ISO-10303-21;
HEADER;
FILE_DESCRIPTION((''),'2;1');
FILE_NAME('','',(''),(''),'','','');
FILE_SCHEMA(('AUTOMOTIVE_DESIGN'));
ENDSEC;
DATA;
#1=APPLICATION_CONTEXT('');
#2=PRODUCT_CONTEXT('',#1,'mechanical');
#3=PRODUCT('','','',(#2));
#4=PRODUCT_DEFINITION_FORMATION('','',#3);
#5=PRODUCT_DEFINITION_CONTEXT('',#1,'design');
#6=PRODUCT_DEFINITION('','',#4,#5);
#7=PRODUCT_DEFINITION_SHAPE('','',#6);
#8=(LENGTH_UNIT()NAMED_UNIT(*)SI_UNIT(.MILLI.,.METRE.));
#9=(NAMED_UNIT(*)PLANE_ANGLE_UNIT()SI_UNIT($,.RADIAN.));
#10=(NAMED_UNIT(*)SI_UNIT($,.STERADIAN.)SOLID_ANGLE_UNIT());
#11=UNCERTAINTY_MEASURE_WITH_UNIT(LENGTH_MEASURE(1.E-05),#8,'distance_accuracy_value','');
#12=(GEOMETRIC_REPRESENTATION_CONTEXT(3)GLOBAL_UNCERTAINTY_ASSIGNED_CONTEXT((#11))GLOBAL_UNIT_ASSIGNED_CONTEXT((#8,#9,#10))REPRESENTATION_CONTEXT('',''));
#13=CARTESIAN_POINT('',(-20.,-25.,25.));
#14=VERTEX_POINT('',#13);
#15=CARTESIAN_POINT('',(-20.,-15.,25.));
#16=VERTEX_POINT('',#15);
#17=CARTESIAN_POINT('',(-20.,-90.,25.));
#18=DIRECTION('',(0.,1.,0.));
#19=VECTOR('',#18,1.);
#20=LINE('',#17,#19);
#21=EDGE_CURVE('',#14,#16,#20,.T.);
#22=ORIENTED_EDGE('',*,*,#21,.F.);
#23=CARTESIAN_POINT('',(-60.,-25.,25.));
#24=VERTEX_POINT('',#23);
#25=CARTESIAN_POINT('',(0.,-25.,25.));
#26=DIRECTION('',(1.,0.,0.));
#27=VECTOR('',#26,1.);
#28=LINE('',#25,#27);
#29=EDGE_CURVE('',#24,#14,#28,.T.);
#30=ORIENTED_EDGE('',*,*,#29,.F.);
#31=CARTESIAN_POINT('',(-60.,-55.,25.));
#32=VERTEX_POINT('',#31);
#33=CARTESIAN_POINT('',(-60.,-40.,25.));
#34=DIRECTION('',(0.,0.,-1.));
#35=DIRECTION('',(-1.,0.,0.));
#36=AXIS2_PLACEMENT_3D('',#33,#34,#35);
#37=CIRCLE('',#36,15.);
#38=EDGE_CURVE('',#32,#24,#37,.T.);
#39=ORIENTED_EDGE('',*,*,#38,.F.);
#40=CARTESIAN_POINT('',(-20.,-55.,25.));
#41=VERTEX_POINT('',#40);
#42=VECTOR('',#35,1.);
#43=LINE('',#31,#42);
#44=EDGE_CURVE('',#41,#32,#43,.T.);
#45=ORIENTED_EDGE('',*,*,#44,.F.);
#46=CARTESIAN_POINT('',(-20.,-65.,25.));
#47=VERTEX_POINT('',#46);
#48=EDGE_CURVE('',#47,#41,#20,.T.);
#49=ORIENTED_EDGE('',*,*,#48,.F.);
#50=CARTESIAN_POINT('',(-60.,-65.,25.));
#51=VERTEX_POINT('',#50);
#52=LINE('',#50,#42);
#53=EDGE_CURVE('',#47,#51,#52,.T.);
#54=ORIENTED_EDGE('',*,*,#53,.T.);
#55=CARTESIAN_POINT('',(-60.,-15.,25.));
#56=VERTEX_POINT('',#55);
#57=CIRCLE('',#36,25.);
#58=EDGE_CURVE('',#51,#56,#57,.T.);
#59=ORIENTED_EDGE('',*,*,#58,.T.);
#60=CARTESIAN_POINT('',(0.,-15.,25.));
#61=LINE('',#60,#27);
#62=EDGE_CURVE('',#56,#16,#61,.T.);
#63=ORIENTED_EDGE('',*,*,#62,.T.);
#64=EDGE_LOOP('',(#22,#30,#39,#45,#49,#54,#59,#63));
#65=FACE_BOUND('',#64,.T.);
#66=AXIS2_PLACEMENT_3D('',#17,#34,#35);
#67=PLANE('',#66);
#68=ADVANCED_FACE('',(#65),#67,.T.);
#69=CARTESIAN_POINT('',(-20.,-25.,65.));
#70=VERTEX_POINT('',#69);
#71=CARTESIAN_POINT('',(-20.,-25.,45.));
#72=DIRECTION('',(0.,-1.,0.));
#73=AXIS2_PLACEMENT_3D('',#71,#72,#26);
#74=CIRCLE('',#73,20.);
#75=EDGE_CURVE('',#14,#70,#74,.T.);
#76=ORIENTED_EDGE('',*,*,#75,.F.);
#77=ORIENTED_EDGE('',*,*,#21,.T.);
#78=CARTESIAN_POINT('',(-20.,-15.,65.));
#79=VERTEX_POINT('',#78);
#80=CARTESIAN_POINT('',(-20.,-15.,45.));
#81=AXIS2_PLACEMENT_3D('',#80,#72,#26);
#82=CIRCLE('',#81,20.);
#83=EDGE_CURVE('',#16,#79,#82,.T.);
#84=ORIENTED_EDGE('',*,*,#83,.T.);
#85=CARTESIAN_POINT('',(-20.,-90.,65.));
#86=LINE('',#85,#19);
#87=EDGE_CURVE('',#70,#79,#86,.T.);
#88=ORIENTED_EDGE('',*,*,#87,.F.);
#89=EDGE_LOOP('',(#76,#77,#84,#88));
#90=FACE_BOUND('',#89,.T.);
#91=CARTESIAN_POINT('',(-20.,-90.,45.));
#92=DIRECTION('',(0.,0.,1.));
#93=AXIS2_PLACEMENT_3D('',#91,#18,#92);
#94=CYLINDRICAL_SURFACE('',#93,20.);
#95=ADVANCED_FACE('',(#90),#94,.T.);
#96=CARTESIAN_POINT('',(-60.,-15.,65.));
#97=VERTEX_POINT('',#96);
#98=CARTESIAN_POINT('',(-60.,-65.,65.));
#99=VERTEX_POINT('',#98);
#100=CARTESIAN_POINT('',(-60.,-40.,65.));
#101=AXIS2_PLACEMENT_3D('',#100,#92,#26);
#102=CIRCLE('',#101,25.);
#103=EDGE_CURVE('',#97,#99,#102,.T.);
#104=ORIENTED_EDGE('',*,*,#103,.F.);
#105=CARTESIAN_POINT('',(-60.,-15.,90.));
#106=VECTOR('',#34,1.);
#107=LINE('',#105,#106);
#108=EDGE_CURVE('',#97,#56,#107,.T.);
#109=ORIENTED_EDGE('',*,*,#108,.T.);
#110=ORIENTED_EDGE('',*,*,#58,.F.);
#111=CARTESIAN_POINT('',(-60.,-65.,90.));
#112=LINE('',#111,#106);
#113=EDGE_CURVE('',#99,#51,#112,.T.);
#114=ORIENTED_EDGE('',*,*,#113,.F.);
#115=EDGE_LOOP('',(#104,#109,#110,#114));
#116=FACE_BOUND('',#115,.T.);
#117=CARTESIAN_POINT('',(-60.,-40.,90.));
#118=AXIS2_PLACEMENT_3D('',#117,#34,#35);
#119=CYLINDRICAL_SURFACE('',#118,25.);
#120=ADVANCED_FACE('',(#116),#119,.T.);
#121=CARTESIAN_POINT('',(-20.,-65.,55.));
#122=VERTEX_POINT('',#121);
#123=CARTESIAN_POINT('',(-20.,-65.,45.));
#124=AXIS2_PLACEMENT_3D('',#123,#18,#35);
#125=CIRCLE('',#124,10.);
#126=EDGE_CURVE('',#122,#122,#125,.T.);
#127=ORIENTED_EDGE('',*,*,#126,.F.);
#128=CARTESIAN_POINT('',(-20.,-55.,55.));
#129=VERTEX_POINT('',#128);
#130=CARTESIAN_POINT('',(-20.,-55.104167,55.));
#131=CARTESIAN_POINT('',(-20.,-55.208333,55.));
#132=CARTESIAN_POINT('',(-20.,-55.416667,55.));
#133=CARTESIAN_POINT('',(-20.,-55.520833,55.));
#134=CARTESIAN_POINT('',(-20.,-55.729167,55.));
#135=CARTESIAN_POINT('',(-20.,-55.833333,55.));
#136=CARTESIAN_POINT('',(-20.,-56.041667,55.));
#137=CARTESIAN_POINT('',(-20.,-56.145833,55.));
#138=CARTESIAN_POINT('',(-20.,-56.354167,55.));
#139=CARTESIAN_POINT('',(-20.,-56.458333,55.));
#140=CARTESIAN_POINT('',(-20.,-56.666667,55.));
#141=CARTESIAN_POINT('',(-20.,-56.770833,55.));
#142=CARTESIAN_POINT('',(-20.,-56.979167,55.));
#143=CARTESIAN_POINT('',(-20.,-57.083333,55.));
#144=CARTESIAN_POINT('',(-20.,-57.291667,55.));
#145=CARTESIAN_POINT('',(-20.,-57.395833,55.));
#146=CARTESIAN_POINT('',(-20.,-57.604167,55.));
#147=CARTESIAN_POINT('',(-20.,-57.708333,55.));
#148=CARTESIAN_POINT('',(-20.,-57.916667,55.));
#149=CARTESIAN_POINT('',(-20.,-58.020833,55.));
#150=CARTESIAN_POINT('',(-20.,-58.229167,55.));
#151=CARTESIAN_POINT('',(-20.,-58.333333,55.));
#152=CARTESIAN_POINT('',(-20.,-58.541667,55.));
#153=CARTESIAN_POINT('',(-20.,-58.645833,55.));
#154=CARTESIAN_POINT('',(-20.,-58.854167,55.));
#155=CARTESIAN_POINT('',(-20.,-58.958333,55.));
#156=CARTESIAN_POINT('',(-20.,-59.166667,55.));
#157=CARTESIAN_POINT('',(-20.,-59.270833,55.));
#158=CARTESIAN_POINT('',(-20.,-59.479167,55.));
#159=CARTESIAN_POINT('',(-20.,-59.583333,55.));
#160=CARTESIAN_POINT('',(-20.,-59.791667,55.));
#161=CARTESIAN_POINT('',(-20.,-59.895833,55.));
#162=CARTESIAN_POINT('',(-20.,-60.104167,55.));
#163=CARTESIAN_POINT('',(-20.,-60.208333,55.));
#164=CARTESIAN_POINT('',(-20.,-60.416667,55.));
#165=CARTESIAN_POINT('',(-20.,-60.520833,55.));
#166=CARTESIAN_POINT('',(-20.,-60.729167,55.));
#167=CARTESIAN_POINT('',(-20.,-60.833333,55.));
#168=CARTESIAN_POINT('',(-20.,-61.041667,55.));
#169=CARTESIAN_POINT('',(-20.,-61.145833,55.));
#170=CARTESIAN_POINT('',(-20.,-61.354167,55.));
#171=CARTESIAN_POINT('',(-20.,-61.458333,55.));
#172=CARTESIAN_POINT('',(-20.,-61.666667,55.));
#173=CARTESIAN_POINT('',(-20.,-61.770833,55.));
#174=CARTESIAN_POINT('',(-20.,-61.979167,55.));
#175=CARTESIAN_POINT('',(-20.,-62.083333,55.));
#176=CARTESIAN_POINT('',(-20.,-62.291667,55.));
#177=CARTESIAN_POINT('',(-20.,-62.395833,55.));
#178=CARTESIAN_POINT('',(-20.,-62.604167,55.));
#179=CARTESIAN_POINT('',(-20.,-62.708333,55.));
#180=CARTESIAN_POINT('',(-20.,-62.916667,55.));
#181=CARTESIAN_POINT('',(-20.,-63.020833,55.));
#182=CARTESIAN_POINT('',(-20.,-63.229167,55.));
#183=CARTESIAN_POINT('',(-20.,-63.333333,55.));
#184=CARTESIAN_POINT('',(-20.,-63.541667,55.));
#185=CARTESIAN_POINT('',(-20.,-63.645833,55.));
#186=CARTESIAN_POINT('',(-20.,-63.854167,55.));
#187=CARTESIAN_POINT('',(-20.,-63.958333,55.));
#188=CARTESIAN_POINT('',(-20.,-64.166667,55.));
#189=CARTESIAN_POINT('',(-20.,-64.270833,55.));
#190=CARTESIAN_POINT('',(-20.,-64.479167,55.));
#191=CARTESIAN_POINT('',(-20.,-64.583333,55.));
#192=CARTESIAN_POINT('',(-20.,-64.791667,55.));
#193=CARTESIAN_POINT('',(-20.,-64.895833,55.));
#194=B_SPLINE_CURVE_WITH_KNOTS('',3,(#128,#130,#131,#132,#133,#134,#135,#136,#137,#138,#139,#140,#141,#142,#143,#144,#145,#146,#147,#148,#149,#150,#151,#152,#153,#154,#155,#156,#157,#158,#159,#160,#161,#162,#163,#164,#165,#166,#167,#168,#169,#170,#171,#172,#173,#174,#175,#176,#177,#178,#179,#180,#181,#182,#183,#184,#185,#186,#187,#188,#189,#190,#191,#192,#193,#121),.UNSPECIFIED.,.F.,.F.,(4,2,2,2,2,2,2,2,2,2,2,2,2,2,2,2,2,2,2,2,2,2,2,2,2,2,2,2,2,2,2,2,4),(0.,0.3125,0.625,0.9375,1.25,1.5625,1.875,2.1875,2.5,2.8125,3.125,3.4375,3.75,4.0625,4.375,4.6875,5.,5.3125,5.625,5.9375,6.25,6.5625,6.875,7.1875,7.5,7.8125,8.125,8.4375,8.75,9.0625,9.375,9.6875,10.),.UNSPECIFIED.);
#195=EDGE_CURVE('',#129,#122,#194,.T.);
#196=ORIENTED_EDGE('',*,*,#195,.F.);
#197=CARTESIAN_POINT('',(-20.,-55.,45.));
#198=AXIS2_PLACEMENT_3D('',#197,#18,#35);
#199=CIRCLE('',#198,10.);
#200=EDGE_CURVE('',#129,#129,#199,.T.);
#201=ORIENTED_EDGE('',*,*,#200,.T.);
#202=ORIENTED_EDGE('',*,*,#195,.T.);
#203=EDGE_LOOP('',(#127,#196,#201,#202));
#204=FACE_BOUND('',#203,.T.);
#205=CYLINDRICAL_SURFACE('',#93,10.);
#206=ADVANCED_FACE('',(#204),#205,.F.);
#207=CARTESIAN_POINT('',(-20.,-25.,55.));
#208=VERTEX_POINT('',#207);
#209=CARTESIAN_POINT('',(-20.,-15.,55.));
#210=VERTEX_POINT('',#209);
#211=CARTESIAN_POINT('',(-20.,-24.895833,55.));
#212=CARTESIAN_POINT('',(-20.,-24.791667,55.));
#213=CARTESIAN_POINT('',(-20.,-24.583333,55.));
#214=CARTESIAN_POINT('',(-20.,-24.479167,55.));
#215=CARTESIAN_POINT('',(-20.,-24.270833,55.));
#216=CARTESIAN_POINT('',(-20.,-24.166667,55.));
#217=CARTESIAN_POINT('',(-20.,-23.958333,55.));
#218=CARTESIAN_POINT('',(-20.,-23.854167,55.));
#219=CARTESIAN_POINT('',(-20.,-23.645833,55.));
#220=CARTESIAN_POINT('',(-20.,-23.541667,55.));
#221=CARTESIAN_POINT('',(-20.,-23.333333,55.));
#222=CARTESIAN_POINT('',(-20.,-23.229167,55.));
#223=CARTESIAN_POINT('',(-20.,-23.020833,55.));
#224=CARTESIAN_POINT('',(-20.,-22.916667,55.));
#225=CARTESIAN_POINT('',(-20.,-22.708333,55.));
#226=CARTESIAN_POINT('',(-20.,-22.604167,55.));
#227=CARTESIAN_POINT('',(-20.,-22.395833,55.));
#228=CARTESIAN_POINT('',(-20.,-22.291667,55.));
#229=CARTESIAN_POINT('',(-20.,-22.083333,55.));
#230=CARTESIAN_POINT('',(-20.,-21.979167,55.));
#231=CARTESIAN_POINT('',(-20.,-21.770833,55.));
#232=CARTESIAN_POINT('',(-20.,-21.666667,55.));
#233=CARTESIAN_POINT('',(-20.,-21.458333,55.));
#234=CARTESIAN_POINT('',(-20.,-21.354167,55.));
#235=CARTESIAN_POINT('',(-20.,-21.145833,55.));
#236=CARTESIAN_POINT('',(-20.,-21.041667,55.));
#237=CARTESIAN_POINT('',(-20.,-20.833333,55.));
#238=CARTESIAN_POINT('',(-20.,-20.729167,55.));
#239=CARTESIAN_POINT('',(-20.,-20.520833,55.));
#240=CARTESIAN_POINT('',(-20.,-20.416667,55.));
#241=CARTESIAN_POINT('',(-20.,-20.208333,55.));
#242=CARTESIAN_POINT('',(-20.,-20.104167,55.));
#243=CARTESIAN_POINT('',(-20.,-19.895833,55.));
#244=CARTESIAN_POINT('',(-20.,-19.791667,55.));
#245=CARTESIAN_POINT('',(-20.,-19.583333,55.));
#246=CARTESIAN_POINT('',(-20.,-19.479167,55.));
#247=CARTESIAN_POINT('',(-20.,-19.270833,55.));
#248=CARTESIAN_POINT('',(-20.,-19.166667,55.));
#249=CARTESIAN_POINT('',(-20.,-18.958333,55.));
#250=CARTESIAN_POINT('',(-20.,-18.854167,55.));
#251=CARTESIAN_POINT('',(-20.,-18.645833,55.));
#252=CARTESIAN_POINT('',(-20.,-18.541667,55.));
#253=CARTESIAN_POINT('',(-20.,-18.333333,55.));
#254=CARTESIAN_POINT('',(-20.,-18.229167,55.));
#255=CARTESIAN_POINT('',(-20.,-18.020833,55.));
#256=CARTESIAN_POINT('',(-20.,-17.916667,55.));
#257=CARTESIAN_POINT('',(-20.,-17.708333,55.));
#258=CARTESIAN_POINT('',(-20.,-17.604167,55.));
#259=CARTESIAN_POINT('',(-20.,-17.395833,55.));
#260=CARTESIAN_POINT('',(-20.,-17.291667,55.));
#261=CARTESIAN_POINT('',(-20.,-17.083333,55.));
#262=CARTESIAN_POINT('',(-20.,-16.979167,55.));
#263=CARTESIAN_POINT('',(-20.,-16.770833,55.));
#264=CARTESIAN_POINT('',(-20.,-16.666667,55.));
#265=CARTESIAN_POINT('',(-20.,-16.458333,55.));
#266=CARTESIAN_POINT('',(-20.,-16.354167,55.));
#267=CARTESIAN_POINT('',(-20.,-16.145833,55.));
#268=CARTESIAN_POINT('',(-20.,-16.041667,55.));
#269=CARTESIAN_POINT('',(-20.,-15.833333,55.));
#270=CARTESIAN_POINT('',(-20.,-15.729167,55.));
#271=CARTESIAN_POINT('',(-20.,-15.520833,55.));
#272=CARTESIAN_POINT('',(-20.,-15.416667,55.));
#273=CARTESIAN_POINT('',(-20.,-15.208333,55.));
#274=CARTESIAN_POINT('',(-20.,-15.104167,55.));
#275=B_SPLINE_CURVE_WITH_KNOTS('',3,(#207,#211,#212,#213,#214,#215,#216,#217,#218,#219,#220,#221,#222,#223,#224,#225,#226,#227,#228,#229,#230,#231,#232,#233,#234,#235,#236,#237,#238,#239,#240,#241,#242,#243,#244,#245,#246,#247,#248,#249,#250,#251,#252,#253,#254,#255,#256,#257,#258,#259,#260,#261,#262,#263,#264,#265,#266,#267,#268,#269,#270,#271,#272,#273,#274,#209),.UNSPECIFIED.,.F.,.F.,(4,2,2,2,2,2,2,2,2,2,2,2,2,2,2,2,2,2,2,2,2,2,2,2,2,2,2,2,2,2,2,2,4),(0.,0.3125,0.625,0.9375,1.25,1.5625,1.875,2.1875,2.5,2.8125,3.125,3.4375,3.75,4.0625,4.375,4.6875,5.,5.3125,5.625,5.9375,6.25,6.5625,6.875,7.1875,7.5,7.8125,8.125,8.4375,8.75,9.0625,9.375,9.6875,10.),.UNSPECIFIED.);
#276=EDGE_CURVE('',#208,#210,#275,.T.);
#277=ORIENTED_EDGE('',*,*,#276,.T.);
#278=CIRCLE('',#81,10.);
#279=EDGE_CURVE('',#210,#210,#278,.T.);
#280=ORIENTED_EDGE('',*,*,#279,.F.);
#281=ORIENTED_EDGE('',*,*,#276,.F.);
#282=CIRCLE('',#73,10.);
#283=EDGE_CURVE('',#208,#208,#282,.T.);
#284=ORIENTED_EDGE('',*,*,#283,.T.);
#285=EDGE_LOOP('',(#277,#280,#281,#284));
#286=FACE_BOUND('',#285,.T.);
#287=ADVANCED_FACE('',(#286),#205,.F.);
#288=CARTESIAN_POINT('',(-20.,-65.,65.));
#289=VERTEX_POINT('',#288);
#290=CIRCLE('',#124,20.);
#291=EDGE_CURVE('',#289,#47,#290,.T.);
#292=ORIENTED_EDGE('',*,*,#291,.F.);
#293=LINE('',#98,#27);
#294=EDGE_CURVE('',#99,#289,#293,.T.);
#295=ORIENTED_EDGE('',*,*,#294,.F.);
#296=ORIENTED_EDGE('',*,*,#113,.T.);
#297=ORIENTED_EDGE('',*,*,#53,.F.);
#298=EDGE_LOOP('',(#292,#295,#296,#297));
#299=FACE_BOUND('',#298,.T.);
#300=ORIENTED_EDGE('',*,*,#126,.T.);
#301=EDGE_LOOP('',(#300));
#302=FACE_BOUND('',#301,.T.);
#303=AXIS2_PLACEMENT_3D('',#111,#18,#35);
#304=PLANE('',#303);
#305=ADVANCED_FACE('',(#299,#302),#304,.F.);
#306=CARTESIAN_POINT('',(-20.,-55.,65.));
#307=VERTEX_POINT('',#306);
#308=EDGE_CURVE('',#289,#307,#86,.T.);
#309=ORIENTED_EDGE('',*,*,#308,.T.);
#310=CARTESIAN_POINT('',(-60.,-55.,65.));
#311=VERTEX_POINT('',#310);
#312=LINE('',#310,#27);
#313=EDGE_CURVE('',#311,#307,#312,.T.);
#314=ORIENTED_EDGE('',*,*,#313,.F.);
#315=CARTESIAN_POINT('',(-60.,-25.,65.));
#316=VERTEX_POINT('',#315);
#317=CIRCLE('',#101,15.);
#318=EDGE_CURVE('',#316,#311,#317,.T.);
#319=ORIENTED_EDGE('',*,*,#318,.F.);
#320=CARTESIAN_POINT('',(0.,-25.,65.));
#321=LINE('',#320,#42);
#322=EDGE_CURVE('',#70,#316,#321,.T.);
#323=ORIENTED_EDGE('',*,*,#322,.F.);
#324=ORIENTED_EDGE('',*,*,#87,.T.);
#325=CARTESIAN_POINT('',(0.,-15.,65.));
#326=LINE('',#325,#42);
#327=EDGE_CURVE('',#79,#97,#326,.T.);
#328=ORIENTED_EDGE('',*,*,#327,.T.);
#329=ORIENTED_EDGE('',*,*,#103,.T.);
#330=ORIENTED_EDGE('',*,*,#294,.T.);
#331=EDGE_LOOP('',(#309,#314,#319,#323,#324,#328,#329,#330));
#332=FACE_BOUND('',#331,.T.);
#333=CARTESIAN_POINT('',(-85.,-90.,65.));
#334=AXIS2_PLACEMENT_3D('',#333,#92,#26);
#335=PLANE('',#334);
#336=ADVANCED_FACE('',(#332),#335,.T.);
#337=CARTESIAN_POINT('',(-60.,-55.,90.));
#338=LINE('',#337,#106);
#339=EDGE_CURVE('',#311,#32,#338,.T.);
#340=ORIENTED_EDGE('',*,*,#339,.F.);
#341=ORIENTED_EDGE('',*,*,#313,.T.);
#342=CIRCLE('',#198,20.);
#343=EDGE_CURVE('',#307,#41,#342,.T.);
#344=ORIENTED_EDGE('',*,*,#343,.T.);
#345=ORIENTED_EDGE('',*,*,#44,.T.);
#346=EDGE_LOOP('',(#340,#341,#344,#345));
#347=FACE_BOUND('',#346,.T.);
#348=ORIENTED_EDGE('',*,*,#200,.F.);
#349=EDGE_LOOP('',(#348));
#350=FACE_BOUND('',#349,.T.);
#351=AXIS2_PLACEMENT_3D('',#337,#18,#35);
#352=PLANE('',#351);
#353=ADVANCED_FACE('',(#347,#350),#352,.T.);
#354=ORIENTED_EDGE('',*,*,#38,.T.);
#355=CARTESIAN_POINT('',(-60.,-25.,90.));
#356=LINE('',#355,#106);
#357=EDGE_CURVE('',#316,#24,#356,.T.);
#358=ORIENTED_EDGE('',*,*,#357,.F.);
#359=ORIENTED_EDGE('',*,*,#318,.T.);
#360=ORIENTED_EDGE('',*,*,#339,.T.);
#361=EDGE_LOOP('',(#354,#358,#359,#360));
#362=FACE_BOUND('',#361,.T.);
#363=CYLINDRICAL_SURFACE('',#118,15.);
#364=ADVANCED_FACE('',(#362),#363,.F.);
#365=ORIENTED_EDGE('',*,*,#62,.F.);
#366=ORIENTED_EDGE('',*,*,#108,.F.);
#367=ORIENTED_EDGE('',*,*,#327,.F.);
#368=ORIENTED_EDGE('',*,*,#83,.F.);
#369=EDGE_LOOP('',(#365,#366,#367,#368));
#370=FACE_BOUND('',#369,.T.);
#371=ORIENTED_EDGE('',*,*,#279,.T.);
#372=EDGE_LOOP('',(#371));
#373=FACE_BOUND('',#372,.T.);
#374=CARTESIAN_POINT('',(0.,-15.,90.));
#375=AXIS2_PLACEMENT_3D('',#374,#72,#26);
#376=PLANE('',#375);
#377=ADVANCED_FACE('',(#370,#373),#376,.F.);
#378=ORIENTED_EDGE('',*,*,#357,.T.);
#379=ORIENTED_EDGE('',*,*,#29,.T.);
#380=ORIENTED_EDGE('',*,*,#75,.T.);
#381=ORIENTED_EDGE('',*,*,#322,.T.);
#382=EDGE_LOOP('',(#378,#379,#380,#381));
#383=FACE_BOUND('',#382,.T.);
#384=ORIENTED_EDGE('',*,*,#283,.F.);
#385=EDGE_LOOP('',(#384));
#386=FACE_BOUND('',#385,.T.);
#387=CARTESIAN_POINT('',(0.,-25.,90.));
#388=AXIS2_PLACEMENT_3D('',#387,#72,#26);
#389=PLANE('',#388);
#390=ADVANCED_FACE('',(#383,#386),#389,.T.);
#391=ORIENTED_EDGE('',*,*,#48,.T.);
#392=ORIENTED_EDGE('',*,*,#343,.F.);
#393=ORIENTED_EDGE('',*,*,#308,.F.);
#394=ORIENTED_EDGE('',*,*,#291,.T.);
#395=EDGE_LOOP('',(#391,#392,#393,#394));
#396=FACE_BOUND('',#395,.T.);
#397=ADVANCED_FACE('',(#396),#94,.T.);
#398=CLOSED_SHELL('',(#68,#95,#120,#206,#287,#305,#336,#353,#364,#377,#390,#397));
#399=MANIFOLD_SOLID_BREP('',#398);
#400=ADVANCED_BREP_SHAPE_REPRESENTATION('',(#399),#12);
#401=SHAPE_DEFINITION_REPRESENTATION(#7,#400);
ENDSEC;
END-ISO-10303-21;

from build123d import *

# Parameters (mm, degrees)
EXTRUDE_THIN1_DEPTH = 90
SKETCH2_R           = 10
BOSS_EXTRUDE1_DEPTH = 90


with BuildPart() as part:
    # Sketch1 → Extrude-Thin1 (new body)
    with BuildSketch(Plane.XY):
        with BuildLine():
            Line((0, -15), (-60, -15))
            ThreePointArc((-60, -15), (-85, -40), (-60, -65))
            Line((-60, -65), (0, -65))
            Line((0, -65), (0, -55))
            Line((0, -55), (-60, -55))
            ThreePointArc((-60, -55), (-75, -40), (-60, -25))
            Line((-60, -25), (0, -25))
            Line((0, -25), (0, -15))
        make_face()
    extrude(amount=EXTRUDE_THIN1_DEPTH)


with BuildPart() as body_2:
    # Sketch2 → Boss-Extrude1 (new body)
    with BuildSketch(Plane(origin=(0, 0, 0), x_dir=(1, 0, 0), z_dir=(0, 1, 0))):
        with BuildLine():
            Line((-85, -25), (-85, -65))
            Line((-85, -65), (-20, -65))
            ThreePointArc((-20, -65), (0, -45), (-20, -25))
            Line((-20, -25), (-85, -25))
        make_face()
        with Locations(Location((-20, -45, 0), (0, 0, 270))):
            Circle(SKETCH2_R, mode=Mode.SUBTRACT)
    extrude(amount=-BOSS_EXTRUDE1_DEPTH)


with BuildPart() as part_1:
    add(part.part)

    # Combine 1: intersect body 2
    add(body_2.part, mode=Mode.INTERSECT)


solid = part_1.part
